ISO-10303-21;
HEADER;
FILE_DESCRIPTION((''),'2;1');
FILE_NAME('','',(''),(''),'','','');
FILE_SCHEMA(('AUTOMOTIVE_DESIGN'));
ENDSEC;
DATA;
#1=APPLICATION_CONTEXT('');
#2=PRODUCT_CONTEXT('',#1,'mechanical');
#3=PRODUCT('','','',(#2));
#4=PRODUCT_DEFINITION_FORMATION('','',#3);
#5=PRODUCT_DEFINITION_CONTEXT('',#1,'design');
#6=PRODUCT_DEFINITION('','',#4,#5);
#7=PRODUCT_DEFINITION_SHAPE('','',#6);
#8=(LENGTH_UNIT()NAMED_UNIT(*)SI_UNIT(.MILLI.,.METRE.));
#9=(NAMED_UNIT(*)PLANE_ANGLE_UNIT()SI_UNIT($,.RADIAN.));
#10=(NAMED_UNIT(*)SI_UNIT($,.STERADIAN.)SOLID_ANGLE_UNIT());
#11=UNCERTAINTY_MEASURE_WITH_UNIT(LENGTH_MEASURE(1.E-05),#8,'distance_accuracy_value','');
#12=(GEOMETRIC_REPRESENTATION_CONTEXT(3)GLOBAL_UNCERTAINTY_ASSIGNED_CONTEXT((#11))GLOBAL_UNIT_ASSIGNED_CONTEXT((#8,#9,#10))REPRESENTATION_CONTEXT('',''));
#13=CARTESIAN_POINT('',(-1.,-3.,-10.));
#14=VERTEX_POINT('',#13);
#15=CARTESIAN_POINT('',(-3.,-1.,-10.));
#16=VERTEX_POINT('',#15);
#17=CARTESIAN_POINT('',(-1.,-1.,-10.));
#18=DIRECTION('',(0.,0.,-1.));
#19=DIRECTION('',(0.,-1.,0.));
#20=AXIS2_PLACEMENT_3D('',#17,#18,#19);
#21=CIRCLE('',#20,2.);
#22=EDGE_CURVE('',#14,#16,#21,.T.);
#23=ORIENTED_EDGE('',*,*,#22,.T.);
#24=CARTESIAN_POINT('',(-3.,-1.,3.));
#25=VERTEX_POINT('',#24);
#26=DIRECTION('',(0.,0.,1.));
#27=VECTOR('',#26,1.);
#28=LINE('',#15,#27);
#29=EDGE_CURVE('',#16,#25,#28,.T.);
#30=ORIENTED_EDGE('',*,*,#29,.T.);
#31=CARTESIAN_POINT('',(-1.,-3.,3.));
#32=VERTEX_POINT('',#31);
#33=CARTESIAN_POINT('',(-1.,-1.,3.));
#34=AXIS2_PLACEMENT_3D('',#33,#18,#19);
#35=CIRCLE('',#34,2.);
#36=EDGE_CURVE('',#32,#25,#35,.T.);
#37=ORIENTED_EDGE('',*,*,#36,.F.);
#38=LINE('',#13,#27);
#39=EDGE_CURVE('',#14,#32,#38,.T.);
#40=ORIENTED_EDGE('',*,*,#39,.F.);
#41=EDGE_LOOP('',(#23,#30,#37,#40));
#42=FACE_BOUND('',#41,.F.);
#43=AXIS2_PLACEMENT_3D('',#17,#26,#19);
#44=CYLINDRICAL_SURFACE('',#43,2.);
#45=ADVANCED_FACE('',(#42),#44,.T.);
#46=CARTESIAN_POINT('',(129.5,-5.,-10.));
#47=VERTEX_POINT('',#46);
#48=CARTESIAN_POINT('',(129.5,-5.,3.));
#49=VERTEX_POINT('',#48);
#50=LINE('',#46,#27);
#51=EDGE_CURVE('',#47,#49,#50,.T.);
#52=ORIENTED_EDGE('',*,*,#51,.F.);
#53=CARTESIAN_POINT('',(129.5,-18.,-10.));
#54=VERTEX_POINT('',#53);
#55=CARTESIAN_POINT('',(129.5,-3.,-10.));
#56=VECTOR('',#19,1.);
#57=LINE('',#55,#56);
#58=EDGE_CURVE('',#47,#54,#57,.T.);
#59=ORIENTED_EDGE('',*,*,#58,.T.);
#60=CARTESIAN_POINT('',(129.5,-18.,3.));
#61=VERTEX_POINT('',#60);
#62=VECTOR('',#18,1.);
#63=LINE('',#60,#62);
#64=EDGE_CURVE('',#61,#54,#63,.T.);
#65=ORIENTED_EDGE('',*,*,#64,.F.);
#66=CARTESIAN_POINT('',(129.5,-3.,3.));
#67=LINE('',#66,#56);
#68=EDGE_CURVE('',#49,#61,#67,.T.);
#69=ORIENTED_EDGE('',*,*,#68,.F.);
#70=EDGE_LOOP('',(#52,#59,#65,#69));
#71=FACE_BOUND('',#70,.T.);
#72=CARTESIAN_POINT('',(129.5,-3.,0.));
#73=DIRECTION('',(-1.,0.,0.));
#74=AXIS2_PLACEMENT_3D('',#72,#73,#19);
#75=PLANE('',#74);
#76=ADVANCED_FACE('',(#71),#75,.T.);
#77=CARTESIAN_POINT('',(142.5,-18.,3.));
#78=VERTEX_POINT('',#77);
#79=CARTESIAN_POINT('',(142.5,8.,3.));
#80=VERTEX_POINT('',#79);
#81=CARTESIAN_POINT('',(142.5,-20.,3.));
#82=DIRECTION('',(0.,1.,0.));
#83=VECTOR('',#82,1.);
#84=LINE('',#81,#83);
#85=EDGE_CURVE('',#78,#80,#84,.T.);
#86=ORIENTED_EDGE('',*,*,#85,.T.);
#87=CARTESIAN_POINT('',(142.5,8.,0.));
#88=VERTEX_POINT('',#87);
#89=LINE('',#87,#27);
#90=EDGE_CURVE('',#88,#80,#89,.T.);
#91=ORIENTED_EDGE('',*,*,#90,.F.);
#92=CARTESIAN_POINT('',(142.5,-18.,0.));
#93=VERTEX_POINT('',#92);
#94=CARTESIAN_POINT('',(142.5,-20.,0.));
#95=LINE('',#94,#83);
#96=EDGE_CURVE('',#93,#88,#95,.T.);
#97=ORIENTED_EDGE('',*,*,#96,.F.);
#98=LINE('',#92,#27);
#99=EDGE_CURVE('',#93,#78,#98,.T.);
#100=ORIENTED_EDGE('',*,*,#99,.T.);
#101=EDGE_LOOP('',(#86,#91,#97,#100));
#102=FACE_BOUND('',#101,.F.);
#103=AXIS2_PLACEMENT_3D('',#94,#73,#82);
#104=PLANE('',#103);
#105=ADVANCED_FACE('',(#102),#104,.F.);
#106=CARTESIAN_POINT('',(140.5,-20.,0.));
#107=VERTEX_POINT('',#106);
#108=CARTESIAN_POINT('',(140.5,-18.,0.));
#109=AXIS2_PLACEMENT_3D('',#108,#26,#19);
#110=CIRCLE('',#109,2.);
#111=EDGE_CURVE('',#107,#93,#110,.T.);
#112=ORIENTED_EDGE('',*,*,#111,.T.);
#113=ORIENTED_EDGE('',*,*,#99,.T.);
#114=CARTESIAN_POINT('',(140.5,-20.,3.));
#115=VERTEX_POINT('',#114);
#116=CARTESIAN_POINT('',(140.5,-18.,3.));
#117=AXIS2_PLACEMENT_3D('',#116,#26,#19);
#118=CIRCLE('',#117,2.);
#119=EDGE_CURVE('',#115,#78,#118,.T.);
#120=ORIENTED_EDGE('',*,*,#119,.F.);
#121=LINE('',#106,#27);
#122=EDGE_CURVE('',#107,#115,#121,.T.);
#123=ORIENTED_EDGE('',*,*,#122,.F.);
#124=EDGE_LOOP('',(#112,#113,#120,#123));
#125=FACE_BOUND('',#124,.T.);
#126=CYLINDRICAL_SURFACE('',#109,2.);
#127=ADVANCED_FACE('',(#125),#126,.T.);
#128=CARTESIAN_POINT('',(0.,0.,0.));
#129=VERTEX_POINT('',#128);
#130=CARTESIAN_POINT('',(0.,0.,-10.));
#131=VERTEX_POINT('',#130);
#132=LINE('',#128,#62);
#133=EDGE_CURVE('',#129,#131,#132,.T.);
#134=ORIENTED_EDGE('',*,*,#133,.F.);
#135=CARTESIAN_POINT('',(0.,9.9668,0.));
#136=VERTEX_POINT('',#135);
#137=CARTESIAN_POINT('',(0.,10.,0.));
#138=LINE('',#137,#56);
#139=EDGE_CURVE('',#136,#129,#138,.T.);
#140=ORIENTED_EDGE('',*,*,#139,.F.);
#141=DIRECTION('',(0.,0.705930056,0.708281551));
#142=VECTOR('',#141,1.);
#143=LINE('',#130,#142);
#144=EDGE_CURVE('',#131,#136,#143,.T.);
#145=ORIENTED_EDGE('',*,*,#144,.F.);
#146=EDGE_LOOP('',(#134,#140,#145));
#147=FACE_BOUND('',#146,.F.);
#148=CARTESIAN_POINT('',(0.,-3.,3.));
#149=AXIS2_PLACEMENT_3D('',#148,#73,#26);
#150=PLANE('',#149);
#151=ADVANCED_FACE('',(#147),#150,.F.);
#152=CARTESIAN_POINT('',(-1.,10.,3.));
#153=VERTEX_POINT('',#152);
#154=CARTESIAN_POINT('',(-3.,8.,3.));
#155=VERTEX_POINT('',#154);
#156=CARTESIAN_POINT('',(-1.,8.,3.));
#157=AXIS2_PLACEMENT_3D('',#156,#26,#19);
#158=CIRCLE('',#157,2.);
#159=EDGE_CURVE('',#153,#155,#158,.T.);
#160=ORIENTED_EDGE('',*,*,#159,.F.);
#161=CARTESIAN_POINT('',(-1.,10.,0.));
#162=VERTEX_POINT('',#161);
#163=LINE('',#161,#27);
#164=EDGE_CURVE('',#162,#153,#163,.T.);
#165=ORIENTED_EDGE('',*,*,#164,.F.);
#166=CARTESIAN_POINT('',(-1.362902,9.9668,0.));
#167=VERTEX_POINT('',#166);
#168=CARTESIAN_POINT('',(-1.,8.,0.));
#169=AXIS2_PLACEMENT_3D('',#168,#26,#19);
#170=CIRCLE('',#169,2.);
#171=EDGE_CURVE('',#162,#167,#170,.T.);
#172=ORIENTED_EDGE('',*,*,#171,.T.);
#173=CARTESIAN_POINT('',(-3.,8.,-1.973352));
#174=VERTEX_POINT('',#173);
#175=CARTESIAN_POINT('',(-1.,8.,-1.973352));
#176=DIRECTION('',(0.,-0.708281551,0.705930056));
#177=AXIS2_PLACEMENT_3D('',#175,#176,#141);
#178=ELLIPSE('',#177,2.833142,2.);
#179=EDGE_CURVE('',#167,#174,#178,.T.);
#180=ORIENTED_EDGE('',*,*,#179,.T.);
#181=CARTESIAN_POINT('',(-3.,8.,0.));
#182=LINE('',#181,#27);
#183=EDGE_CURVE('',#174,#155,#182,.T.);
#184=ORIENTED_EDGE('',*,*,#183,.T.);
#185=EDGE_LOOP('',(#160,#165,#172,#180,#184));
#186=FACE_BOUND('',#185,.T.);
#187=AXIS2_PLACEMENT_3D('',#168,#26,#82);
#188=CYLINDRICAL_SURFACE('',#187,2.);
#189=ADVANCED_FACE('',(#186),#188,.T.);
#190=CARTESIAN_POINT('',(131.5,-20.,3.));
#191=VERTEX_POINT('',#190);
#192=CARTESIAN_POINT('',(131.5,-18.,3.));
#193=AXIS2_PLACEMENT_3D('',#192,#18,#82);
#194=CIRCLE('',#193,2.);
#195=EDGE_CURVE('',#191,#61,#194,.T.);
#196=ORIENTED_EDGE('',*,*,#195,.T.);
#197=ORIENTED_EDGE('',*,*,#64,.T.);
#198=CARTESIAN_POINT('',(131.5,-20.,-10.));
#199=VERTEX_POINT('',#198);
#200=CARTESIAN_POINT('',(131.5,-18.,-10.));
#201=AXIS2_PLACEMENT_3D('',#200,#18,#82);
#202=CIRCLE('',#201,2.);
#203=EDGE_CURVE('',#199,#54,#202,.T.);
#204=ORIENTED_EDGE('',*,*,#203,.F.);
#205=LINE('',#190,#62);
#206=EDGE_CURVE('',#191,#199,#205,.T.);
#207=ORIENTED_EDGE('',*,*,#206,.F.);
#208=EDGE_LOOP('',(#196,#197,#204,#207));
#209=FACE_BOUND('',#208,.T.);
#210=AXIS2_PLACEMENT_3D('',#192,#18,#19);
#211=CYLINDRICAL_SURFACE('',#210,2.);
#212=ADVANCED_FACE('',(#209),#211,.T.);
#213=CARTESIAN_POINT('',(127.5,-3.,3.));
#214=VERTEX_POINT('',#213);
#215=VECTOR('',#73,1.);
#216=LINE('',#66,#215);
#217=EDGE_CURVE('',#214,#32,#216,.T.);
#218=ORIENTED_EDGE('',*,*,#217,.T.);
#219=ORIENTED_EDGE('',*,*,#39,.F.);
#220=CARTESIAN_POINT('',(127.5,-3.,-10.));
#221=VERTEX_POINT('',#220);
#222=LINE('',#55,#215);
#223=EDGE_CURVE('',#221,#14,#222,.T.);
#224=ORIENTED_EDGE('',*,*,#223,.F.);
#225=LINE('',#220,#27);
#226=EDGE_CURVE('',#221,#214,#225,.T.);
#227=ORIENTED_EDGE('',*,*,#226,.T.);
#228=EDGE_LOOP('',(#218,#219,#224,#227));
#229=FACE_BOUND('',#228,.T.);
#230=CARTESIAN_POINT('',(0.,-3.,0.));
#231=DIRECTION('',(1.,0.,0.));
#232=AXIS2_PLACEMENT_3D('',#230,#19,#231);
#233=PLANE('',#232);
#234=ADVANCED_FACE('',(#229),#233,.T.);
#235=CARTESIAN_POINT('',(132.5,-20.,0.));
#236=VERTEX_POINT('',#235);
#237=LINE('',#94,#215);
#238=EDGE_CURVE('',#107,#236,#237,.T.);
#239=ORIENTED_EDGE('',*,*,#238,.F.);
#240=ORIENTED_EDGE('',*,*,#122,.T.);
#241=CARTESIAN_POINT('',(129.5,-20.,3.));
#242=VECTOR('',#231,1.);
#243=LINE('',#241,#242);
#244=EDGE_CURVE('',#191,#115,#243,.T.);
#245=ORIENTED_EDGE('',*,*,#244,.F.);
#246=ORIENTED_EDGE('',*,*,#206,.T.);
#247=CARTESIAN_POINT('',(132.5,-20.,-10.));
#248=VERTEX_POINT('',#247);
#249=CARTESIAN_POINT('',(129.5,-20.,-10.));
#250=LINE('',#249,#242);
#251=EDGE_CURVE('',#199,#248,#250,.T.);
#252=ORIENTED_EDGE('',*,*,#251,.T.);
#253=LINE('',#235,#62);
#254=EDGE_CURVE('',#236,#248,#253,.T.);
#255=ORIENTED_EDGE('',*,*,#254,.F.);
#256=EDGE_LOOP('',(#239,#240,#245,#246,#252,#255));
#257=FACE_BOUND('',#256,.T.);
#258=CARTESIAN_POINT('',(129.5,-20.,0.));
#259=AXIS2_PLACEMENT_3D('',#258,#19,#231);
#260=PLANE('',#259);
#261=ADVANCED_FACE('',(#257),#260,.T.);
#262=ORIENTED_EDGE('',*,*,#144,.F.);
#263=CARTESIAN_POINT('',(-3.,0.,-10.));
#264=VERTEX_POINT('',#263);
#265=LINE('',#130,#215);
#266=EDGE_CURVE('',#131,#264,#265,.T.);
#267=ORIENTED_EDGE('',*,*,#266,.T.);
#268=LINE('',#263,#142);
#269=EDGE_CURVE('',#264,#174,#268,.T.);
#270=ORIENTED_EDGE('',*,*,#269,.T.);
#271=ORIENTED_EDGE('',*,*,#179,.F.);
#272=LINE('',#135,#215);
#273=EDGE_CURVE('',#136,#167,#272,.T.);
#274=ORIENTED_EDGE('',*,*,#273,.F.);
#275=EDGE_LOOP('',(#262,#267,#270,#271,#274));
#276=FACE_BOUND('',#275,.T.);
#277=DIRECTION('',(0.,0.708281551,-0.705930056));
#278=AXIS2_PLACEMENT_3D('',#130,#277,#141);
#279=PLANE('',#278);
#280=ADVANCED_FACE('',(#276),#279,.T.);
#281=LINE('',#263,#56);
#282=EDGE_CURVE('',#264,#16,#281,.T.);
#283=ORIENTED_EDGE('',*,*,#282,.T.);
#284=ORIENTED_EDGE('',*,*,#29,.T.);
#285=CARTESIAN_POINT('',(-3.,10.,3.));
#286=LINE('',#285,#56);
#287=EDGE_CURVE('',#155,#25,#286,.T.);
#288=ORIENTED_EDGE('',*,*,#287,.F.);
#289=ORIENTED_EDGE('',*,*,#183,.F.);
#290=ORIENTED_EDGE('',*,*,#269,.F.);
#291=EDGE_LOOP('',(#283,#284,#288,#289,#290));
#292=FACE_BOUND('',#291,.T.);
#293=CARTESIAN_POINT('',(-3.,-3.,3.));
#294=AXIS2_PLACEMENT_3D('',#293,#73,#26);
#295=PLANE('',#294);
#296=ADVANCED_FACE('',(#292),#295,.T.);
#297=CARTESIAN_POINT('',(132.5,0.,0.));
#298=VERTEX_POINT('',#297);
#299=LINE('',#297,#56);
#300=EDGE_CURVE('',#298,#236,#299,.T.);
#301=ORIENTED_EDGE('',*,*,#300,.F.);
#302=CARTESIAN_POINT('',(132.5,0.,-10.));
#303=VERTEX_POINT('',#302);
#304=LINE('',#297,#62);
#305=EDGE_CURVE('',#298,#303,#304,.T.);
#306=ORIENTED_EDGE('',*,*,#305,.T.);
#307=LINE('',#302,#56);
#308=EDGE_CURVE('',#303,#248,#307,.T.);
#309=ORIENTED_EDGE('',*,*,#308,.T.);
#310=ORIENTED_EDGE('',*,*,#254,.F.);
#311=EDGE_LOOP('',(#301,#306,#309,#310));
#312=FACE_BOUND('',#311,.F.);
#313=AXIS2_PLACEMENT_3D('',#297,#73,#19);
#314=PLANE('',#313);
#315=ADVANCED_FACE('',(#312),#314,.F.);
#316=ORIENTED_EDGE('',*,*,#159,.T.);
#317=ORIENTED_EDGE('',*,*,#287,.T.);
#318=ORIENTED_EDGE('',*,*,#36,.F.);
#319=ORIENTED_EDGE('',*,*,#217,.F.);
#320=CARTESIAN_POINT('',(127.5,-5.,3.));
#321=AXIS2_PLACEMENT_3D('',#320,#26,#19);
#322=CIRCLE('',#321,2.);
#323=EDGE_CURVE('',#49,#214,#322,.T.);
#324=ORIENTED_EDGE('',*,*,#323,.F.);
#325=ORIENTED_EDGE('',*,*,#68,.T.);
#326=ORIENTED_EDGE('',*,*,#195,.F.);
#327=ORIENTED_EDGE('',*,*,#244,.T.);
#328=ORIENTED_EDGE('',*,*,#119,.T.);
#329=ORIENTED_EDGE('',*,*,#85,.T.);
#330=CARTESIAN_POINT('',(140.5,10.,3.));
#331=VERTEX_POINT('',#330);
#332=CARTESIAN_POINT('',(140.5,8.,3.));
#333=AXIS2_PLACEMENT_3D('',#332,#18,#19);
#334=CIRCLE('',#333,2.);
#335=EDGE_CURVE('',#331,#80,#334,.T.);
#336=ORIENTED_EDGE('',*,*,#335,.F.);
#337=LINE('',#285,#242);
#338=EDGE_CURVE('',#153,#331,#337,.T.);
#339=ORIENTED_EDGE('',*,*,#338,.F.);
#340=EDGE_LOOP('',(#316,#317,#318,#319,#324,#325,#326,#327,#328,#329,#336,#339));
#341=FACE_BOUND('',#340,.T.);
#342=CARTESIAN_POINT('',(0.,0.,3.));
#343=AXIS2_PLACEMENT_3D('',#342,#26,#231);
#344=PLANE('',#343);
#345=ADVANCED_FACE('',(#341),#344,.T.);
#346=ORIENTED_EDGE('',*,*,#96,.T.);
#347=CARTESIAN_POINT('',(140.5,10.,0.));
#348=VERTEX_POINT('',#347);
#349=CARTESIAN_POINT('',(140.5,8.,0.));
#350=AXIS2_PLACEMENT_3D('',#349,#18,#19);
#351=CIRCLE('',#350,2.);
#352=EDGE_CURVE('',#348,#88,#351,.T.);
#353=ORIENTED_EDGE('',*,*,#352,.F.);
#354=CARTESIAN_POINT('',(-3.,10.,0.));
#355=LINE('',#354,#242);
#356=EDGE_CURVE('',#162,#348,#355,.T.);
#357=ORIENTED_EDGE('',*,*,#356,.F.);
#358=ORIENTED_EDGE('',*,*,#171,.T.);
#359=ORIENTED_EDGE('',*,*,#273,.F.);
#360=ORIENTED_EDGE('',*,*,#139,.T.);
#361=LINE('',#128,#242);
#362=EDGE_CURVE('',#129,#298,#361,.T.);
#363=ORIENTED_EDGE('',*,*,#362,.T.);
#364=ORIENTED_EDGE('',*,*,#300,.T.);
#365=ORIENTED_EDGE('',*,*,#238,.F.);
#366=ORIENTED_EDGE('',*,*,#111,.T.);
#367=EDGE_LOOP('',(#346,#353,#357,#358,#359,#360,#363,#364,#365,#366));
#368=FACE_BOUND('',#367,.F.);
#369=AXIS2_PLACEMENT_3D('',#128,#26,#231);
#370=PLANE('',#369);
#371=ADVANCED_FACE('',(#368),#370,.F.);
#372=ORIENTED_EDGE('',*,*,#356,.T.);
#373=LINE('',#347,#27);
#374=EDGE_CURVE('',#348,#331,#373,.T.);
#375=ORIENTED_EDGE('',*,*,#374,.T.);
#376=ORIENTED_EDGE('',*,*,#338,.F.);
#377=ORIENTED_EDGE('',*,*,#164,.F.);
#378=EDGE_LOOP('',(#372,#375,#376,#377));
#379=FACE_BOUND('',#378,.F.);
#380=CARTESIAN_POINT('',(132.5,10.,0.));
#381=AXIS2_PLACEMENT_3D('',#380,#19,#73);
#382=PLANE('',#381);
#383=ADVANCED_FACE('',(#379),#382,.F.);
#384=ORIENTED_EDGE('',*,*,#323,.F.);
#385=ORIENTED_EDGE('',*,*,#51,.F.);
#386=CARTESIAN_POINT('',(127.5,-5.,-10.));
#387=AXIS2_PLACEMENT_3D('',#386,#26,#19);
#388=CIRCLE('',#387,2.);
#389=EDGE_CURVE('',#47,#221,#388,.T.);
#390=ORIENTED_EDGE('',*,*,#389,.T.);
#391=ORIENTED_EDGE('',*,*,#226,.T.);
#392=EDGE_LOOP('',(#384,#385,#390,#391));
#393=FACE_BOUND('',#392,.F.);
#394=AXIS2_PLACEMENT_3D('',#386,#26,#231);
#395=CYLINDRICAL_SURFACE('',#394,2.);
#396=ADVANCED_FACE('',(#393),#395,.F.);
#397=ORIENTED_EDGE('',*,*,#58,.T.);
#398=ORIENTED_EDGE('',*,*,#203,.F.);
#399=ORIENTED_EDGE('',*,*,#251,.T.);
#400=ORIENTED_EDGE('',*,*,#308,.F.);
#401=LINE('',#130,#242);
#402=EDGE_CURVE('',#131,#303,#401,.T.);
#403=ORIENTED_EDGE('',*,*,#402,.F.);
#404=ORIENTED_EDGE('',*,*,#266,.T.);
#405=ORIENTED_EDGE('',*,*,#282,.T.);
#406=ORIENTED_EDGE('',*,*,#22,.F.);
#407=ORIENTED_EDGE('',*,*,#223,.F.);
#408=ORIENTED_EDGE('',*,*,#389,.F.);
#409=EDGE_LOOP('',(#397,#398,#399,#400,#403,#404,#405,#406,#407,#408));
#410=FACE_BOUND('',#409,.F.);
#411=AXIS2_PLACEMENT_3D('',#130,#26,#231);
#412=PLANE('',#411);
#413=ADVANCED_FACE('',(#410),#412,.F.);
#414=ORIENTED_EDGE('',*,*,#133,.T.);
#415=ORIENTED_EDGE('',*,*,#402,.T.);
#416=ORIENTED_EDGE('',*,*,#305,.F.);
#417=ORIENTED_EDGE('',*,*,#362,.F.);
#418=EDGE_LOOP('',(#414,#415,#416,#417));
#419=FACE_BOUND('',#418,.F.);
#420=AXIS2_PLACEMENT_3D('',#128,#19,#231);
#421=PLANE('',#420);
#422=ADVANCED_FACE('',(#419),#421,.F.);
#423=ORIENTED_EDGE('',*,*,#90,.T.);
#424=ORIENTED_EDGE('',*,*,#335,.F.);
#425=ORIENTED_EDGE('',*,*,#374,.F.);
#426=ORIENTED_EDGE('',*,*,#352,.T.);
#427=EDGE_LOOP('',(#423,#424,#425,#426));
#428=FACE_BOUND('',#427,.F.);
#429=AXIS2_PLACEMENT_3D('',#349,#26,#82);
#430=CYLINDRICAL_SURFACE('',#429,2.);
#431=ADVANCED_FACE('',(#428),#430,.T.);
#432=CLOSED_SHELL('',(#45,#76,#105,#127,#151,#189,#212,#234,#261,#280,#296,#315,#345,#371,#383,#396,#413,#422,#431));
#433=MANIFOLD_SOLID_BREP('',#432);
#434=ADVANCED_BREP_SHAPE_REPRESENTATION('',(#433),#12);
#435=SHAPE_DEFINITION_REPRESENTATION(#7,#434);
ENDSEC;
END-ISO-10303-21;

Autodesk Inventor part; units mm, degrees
ref_plane "YZ Plane" through (0, 0, 0) normal (1, 0, 0) x (0, 1, 0)
ref_plane "XZ Plane" through (0, 0, 0) normal (0, 1, 0) x (-1, 0, 0)
ref_plane "XY Plane" through (0, 0, 0) normal (0, 0, 1) x (1, 0, 0)
sketch "Sketch1" plane through (0, 0, 0) normal (0, 0, 1) x (1, 0, 0)
  line L0 (0, 0) -> (132.5, 0)
  line L1 (132.5, 0) -> (132.5, 10)
  line L2 (132.5, 10) -> (0, 10)
  line L3 (0, 10) -> (0, 0)
  line L4 (132.5, 0) -> (132.5, -20)
  line L5 (132.5, -20) -> (142.5, -20)
  line L6 (142.5, -20) -> (142.5, 10)
  line L7 (142.5, 10) -> (132.5, 10)
  line L8 (0, 0) -> (0, -3)
  line L9 (0, -3) -> (129.5, -3)
  line L10 (129.5, -3) -> (129.5, -20)
  line L11 (129.5, -20) -> (132.5, -20)
  dimension "d0" = 132.5
  dimension "d1" = 10
  dimension "d2" = 10
  dimension "d3" = 20
  dimension "d4" = 3
  dimension "d5" = 3
extrude "Extrusion1" add sketch "Sketch1" along normal blind 3
extrude "Extrusion2" add sketch "Sketch1" against normal blind 10 contours L0 L4 L11 L10 L9 L8
sketch "Sketch2" plane through (0, -3, 3) normal (-1, 0, 0) x (0, 0, 1)
  line L0 (-13, 3) -> (-13, -17) projected
  line L1 (-13, 3) -> (-3, 12.9668)
  line L2 (-3, 13) -> (-3, 3) projected
  line L3 (-3, 3) -> (-13, 3) projected
  line L4 (-13, 0) -> (-13, 3) projected
  line L5 (-13, 0) -> (0, 0) projected
  line L6 (0, 13) -> (0, 0) projected
  line L7 (-3, 13) -> (0, 13) projected
extrude "Extrusion3" add sketch "Sketch2" along normal blind 3
fillet "Fillet2" radius 2 6 edges at (142.5, 10, 1.5) (142.5, -20, 1.5) (129.5, -20, -3.5) (129.5, -3, -3.5) (-3, 10, 1.5) (-3, -3, -3.5)
properties part number "Z Alignment Guide"
